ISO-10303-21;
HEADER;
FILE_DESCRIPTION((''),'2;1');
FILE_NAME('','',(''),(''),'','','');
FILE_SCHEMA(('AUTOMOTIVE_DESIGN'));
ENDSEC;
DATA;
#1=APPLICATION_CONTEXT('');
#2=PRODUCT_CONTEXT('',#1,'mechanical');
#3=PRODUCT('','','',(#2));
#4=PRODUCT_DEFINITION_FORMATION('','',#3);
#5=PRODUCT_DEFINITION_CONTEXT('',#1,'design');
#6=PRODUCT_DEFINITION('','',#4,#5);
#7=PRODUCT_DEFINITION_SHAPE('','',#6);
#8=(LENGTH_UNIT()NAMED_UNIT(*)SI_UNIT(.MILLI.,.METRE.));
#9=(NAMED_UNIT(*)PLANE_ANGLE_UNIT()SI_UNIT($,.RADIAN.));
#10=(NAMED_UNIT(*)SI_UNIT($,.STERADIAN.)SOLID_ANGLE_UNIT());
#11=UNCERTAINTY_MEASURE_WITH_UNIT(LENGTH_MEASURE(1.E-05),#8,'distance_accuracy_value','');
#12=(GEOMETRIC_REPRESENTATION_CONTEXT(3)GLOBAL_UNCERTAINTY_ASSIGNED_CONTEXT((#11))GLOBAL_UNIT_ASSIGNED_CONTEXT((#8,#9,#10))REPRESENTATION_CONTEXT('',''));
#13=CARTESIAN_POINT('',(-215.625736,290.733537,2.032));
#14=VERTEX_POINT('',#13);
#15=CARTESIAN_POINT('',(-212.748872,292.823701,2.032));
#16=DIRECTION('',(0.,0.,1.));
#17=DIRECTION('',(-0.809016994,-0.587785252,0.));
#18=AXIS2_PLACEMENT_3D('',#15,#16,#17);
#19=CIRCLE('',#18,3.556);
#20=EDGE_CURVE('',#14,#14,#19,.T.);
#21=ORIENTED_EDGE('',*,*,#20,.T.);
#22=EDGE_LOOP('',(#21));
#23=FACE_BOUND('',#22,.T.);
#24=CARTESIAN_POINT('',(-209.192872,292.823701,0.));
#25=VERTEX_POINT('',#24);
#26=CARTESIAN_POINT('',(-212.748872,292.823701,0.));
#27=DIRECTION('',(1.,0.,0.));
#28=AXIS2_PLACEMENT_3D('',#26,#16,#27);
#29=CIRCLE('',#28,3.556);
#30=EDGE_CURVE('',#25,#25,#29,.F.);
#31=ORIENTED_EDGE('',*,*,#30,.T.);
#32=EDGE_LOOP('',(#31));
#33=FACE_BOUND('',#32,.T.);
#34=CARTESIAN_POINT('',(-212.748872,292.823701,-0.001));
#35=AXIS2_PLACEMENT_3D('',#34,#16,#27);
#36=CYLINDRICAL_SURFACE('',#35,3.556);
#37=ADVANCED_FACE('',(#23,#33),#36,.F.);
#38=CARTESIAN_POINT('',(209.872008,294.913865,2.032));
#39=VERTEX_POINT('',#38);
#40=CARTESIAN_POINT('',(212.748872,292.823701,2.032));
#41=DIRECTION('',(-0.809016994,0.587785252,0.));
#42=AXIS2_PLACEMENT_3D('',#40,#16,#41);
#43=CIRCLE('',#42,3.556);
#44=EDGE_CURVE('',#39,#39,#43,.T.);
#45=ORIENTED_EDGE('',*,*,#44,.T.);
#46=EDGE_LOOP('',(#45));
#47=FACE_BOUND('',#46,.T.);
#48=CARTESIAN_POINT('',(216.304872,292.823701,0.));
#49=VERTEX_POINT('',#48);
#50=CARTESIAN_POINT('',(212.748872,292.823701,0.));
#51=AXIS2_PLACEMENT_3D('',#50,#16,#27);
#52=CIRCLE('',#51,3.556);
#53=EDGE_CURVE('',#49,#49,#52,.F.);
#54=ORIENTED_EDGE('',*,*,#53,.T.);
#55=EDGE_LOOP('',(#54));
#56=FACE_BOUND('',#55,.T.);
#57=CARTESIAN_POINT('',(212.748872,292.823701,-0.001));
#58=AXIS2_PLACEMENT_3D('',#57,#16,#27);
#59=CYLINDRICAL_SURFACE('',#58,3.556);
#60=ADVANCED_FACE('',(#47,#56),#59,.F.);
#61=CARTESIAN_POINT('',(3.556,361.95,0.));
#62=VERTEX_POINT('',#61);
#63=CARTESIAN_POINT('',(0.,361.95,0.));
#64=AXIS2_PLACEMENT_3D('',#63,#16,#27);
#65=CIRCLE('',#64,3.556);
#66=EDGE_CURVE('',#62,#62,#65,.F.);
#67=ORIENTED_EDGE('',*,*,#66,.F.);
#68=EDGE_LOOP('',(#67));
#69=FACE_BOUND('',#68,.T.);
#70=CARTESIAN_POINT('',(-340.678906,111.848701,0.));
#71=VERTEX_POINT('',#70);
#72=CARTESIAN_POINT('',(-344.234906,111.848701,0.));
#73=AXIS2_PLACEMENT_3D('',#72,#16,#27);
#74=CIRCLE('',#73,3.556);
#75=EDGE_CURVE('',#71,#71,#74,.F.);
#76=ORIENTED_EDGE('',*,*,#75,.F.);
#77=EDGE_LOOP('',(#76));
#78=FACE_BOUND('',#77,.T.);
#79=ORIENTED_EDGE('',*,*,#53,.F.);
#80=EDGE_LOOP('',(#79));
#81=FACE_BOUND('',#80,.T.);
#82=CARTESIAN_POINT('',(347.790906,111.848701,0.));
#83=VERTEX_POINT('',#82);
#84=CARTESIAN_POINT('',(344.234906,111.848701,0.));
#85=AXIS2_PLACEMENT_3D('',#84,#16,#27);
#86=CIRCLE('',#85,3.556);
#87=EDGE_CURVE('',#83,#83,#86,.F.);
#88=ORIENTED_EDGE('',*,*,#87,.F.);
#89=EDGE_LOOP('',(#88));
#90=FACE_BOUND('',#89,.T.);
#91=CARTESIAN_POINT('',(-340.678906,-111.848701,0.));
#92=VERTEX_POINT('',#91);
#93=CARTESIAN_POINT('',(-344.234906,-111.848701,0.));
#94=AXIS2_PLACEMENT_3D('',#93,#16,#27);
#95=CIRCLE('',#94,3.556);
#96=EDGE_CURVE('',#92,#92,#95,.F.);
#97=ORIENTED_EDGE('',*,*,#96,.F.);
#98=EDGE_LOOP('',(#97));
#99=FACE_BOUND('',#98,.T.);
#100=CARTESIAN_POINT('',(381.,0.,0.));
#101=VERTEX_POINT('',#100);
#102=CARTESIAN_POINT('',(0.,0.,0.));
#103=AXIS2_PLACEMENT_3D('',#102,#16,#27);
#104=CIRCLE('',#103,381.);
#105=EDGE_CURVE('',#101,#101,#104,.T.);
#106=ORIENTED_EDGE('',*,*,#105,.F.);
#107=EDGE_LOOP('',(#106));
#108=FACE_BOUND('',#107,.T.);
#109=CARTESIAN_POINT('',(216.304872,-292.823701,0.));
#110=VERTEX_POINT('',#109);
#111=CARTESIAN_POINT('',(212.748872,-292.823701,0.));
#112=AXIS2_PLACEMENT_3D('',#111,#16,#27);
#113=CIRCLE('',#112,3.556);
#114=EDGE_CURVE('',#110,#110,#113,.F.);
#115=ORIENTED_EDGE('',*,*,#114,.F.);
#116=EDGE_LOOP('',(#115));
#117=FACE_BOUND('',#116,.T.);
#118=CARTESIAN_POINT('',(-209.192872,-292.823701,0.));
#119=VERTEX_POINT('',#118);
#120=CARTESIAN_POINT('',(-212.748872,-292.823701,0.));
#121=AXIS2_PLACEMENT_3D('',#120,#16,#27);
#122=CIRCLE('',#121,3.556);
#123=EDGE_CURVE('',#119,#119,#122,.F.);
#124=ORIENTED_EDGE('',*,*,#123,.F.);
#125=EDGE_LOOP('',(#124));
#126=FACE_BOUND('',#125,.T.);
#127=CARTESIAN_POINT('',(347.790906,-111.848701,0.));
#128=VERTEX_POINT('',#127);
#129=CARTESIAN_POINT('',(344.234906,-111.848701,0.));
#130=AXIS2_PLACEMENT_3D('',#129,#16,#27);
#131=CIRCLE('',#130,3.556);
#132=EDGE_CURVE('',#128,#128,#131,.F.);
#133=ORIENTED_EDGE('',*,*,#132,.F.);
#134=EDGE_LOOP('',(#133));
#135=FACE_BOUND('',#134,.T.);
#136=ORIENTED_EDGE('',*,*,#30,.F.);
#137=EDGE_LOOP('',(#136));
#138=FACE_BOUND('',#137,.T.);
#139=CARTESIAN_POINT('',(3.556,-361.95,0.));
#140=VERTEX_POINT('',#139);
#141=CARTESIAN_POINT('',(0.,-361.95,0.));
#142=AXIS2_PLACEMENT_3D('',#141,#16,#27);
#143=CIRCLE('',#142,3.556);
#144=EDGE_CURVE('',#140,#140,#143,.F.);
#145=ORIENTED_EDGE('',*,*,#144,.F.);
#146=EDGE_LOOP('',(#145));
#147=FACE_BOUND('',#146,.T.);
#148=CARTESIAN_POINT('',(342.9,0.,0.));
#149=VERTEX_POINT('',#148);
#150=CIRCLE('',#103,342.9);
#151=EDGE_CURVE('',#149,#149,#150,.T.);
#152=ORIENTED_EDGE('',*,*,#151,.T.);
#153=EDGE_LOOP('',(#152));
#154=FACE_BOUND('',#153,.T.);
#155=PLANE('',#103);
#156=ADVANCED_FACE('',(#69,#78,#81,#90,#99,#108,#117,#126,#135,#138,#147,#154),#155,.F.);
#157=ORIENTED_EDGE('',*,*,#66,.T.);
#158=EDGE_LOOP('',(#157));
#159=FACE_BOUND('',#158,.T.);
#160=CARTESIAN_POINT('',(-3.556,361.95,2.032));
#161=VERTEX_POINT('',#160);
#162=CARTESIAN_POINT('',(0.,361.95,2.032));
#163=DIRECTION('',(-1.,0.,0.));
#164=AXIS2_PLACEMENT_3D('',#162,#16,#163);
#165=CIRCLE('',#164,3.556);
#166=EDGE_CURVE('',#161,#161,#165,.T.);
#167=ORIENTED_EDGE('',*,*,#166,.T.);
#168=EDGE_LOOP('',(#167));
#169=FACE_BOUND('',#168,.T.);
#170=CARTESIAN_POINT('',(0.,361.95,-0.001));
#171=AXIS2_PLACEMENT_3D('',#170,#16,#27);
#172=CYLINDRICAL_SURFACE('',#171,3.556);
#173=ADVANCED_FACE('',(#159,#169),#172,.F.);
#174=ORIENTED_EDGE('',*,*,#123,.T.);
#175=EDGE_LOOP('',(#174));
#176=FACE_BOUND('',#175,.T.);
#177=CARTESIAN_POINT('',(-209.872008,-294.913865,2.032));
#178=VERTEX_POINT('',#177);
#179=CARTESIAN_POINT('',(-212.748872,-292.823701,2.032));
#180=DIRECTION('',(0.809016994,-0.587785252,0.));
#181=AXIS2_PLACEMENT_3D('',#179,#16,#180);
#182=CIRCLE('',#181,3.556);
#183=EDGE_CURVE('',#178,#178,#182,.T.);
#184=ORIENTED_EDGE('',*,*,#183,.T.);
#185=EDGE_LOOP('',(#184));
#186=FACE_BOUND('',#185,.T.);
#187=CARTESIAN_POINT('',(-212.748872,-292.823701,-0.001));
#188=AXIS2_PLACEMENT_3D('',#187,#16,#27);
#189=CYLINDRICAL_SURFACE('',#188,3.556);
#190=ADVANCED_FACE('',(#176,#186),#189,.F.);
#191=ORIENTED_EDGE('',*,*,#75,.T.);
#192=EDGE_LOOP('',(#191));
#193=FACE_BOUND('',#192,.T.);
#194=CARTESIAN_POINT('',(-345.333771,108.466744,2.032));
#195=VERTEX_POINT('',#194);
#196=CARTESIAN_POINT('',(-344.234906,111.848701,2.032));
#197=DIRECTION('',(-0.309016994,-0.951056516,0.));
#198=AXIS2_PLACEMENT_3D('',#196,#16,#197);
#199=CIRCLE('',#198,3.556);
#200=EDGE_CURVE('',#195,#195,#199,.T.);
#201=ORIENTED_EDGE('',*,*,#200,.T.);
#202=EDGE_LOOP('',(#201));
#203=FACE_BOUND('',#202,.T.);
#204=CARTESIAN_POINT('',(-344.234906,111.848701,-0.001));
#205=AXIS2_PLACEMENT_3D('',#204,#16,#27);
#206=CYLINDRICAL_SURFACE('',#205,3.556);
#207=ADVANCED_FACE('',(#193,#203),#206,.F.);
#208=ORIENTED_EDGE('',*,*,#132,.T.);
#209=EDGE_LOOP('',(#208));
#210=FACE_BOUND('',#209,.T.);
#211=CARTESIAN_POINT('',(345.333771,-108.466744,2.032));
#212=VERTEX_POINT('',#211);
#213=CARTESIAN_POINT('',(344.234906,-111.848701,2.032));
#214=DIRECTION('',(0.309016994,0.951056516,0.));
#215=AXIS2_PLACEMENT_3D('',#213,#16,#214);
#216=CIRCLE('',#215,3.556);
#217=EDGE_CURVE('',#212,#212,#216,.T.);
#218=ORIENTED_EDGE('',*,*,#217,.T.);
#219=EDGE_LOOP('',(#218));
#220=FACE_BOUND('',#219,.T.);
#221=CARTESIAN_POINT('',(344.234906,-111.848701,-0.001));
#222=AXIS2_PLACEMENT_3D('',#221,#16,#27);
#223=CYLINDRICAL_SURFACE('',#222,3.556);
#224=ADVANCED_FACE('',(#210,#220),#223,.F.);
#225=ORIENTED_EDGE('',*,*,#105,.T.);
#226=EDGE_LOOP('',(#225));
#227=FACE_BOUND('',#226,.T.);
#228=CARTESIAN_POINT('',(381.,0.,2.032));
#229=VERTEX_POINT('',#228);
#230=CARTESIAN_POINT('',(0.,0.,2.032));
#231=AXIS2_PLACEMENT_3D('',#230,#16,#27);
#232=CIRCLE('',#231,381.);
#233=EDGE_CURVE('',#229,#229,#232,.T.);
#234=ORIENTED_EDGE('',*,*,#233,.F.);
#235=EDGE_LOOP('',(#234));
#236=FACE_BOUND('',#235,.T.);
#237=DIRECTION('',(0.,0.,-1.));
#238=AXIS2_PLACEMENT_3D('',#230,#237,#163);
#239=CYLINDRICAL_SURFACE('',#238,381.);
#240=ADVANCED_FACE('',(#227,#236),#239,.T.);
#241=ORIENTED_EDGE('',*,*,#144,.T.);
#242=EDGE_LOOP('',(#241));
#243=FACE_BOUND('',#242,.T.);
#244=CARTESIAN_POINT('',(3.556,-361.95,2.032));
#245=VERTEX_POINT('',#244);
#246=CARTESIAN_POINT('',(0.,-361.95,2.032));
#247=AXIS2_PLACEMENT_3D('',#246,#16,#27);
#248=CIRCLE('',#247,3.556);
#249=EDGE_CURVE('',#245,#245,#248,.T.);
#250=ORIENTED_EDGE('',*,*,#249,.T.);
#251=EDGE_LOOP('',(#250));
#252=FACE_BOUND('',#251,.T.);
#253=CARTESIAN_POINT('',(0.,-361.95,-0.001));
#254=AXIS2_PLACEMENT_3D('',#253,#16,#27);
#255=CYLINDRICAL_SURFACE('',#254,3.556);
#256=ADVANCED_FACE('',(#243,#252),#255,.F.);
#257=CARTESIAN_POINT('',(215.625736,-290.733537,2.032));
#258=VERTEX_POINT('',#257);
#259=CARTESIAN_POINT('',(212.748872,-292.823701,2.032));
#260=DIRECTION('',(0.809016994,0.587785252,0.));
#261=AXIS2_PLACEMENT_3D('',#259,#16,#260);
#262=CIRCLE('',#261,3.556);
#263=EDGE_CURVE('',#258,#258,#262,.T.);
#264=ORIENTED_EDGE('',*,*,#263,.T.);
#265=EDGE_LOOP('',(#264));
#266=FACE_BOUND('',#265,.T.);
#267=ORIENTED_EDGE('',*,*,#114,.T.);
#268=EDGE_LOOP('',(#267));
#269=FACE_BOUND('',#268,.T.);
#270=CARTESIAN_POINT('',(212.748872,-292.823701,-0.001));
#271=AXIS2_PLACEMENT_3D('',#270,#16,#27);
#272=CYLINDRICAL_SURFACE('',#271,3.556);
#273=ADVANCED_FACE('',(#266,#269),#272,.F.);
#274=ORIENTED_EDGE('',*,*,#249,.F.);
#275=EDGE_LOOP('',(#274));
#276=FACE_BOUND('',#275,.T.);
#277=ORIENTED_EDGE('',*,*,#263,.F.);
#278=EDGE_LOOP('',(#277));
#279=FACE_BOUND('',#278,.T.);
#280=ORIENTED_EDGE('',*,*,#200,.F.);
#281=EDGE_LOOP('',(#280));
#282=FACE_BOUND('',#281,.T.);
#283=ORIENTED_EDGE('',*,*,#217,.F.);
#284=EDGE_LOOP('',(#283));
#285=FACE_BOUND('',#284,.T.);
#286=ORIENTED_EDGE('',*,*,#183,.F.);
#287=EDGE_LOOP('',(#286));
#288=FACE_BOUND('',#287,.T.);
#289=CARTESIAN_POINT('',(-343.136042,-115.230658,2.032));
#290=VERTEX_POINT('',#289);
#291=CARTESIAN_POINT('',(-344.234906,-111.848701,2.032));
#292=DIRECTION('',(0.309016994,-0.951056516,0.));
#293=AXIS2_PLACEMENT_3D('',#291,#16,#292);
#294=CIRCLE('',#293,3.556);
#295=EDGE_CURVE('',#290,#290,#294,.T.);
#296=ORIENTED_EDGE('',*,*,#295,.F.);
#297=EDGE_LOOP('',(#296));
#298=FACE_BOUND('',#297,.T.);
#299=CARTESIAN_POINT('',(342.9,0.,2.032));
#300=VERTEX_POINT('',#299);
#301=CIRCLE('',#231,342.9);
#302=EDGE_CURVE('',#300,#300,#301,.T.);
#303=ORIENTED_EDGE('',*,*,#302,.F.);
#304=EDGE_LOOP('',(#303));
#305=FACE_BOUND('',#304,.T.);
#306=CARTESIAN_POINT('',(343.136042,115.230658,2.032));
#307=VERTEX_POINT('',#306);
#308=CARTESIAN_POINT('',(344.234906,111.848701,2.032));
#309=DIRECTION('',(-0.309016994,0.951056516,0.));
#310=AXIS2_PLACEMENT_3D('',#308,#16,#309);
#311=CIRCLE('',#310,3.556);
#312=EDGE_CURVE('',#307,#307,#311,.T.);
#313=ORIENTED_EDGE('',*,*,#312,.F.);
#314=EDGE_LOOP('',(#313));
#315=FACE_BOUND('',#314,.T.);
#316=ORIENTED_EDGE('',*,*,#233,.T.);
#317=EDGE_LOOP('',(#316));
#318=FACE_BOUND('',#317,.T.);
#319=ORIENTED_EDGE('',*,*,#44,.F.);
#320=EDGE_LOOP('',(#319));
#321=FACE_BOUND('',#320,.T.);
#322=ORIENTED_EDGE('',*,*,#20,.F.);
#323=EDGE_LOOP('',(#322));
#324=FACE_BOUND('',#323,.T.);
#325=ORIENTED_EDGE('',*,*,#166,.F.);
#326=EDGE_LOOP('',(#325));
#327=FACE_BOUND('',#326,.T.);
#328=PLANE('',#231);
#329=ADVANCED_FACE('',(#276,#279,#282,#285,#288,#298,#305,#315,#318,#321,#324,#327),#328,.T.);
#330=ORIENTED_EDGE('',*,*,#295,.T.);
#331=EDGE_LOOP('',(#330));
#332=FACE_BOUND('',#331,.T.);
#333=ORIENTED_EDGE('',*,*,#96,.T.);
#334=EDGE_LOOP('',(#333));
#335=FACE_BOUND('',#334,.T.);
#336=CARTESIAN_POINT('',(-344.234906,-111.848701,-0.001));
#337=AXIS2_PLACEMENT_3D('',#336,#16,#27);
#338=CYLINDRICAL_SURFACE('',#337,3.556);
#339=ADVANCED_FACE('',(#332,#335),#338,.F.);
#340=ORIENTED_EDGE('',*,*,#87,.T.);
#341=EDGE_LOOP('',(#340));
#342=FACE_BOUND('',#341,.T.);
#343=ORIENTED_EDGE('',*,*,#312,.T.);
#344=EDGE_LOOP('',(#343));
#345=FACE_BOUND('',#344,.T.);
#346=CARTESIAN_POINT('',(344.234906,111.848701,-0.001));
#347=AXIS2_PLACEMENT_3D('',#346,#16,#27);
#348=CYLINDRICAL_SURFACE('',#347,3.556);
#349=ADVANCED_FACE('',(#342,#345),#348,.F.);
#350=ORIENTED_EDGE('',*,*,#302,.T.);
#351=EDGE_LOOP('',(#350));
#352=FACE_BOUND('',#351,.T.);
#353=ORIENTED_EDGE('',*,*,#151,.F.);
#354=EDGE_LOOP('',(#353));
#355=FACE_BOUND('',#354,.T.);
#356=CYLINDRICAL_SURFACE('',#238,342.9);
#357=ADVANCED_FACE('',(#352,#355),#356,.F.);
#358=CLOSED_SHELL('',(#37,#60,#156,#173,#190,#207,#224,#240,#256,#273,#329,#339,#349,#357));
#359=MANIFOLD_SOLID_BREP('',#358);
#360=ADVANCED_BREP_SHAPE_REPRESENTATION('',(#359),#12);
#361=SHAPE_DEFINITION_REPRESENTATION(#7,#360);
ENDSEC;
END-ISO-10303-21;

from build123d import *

# Parameters (mm, degrees)
SKETCH1_R          = 381
SKETCH1_R_2        = 342.9
EXTRUDE1_DEPTH     = 2.032
SKETCH2_R          = 3.556
CUT_EXTRUDE1_DEPTH = 2.032
CIRPATTERN1_COUNT  = 10


with BuildPart() as part:
    # Sketch1 → Extrude1 (new body)
    with BuildSketch(Plane.XY):
        Circle(SKETCH1_R)
        Circle(SKETCH1_R_2, mode=Mode.SUBTRACT)
    extrude(amount=EXTRUDE1_DEPTH)

    # Sketch2 → Cut-Extrude1 (cut)
    with BuildSketch(Plane.XY.offset(2.032)):
        with Locations((0, -361.95)):
            Circle(SKETCH2_R)
    cut_extrude1 = extrude(amount=-CUT_EXTRUDE1_DEPTH, mode=Mode.SUBTRACT)

    # CirPattern1: Cut-Extrude1 ×10 about axis
    cirpattern1_axis = Axis((0, 0, 0), (0, 0, 1))
    for i in range(1, CIRPATTERN1_COUNT):
        add(cut_extrude1.rotate(cirpattern1_axis, i * 360 / CIRPATTERN1_COUNT), mode=Mode.SUBTRACT)


solid = part.part
